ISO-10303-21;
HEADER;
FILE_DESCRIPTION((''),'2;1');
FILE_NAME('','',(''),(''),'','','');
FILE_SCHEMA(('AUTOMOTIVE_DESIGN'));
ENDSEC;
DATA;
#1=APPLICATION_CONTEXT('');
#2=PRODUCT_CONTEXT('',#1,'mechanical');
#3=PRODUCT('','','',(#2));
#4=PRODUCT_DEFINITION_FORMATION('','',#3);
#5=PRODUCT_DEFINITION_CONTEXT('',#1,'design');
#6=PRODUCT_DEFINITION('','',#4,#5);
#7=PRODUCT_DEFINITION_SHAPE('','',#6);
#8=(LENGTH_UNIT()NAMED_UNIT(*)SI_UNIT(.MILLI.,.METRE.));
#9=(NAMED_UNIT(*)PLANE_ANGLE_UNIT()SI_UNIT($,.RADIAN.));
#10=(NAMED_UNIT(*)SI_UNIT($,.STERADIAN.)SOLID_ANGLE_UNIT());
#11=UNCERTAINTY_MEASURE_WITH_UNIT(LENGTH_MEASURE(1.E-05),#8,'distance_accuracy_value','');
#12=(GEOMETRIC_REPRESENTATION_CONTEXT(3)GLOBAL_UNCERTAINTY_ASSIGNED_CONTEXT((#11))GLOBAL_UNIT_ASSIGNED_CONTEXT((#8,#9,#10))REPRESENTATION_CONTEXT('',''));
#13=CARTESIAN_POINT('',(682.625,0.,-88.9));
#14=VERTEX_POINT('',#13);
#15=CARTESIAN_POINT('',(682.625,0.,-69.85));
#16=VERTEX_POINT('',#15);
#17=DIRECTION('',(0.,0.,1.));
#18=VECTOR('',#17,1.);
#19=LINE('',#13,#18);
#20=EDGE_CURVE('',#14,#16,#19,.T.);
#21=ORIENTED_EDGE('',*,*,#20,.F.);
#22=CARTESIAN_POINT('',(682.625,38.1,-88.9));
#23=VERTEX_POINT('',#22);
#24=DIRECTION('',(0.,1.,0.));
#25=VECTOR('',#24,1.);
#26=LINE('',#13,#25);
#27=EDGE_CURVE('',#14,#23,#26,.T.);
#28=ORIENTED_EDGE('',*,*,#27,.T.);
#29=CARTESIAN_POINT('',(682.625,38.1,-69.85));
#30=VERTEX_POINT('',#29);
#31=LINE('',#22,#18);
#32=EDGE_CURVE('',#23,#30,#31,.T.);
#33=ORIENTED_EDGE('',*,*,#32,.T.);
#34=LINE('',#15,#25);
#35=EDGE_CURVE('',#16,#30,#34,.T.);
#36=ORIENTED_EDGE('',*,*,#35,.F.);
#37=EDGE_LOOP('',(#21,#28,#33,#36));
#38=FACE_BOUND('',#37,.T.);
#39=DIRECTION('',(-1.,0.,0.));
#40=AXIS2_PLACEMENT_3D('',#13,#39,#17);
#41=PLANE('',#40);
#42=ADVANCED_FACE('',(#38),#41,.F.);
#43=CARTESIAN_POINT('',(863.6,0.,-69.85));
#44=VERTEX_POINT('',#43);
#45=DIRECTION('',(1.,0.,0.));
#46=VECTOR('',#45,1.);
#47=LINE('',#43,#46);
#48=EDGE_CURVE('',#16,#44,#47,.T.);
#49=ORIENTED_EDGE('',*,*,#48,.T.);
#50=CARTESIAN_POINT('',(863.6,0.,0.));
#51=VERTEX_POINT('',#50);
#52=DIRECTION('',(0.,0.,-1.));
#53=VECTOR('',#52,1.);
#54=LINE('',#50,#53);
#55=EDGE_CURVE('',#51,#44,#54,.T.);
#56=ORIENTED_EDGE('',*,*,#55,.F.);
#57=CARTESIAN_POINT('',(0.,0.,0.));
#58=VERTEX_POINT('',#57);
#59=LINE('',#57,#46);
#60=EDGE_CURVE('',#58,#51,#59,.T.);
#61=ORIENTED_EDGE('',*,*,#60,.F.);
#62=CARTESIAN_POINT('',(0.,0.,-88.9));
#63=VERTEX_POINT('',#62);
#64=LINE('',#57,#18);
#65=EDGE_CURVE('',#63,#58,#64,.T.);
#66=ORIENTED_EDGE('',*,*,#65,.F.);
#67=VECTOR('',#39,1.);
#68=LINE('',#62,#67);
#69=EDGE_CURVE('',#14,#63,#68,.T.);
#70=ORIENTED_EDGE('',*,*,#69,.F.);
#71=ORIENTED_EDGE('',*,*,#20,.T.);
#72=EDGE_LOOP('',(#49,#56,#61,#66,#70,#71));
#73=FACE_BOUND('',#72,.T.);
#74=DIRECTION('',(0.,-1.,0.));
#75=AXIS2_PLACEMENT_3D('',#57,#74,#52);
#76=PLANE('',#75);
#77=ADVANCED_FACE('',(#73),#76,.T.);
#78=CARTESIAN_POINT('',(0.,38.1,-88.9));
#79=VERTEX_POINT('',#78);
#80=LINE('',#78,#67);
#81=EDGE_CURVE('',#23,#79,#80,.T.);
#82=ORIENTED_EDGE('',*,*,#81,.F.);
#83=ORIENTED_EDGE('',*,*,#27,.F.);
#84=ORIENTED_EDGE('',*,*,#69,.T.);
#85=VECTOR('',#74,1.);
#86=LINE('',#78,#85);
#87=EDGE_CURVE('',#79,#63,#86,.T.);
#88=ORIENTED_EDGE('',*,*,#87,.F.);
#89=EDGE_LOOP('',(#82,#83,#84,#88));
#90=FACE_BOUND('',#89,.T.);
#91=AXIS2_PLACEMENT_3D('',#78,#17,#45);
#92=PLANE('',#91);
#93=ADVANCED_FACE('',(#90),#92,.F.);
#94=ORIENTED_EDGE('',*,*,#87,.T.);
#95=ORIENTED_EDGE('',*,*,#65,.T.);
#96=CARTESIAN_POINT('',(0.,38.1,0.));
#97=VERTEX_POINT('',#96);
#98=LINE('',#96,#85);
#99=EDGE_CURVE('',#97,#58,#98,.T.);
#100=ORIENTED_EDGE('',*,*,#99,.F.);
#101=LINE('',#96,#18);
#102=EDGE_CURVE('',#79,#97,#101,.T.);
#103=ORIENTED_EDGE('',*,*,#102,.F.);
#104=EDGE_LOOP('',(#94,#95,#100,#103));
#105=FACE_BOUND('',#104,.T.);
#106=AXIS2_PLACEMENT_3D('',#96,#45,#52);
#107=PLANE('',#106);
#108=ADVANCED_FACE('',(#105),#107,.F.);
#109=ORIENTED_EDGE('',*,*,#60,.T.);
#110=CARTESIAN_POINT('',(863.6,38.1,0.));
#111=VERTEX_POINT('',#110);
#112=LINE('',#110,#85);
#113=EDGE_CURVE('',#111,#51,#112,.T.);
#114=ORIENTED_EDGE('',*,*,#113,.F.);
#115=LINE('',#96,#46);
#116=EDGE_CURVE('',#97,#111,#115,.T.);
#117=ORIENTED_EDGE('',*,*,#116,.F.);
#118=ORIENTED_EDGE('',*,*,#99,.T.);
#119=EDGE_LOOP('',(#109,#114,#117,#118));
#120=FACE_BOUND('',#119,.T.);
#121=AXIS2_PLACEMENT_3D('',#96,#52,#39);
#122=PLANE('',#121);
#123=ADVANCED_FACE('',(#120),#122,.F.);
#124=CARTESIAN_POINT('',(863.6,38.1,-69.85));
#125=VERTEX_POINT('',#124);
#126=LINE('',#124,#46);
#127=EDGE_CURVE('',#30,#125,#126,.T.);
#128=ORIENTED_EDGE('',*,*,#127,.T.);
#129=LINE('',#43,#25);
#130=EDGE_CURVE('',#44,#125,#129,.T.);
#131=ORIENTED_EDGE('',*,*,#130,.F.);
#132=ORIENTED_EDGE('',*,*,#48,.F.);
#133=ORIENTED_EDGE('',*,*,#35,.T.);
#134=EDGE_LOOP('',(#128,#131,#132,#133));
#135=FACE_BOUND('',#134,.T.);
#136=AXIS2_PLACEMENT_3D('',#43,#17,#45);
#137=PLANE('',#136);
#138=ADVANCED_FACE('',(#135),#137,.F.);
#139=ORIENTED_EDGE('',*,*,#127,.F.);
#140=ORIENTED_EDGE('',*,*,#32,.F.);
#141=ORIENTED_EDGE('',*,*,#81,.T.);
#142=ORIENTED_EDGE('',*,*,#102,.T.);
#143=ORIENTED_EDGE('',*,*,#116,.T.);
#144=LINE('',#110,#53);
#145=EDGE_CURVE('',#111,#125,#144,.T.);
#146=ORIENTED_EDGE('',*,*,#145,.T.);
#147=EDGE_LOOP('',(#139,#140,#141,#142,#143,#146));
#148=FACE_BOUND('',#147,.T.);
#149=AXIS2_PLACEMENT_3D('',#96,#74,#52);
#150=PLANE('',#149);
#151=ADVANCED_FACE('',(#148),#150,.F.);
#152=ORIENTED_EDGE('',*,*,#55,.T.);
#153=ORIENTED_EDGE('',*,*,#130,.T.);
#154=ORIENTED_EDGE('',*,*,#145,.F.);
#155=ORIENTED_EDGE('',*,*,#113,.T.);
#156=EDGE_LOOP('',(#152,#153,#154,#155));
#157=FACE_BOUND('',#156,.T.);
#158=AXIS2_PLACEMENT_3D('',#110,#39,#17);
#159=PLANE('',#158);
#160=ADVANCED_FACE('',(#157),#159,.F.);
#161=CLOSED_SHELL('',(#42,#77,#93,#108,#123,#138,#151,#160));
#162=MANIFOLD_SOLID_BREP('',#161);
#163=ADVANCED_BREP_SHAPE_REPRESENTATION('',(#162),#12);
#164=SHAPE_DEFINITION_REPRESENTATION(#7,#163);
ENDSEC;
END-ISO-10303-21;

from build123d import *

# Parameters (mm, degrees)
SKETCH1_W           = 863.6
SKETCH1_H           = 88.9
BOSS_EXTRUDE1_DEPTH = 38.1
SKETCH3_W           = 180.975
SKETCH3_H           = 19.05
CUT_EXTRUDE1_DEPTH  = 39.1


with BuildPart() as part:
    # Sketch1 → Boss-Extrude1 (new body)
    with BuildSketch(Plane(origin=(0, 0, 0), x_dir=(1, 0, 0), z_dir=(0, 1, 0))):
        with Locations((431.8, 44.45)):
            Rectangle(SKETCH1_W, SKETCH1_H)
    extrude(amount=BOSS_EXTRUDE1_DEPTH)

    # Sketch3 → Cut-Extrude1 (cut, through all)
    with BuildSketch(Plane(origin=(0, 38.1, 0), x_dir=(1, 0, 0), z_dir=(0, 1, 0))):
        with Locations((773.1125, 79.375)):
            Rectangle(SKETCH3_W, SKETCH3_H)
    extrude(amount=-CUT_EXTRUDE1_DEPTH, mode=Mode.SUBTRACT)


solid = part.part
